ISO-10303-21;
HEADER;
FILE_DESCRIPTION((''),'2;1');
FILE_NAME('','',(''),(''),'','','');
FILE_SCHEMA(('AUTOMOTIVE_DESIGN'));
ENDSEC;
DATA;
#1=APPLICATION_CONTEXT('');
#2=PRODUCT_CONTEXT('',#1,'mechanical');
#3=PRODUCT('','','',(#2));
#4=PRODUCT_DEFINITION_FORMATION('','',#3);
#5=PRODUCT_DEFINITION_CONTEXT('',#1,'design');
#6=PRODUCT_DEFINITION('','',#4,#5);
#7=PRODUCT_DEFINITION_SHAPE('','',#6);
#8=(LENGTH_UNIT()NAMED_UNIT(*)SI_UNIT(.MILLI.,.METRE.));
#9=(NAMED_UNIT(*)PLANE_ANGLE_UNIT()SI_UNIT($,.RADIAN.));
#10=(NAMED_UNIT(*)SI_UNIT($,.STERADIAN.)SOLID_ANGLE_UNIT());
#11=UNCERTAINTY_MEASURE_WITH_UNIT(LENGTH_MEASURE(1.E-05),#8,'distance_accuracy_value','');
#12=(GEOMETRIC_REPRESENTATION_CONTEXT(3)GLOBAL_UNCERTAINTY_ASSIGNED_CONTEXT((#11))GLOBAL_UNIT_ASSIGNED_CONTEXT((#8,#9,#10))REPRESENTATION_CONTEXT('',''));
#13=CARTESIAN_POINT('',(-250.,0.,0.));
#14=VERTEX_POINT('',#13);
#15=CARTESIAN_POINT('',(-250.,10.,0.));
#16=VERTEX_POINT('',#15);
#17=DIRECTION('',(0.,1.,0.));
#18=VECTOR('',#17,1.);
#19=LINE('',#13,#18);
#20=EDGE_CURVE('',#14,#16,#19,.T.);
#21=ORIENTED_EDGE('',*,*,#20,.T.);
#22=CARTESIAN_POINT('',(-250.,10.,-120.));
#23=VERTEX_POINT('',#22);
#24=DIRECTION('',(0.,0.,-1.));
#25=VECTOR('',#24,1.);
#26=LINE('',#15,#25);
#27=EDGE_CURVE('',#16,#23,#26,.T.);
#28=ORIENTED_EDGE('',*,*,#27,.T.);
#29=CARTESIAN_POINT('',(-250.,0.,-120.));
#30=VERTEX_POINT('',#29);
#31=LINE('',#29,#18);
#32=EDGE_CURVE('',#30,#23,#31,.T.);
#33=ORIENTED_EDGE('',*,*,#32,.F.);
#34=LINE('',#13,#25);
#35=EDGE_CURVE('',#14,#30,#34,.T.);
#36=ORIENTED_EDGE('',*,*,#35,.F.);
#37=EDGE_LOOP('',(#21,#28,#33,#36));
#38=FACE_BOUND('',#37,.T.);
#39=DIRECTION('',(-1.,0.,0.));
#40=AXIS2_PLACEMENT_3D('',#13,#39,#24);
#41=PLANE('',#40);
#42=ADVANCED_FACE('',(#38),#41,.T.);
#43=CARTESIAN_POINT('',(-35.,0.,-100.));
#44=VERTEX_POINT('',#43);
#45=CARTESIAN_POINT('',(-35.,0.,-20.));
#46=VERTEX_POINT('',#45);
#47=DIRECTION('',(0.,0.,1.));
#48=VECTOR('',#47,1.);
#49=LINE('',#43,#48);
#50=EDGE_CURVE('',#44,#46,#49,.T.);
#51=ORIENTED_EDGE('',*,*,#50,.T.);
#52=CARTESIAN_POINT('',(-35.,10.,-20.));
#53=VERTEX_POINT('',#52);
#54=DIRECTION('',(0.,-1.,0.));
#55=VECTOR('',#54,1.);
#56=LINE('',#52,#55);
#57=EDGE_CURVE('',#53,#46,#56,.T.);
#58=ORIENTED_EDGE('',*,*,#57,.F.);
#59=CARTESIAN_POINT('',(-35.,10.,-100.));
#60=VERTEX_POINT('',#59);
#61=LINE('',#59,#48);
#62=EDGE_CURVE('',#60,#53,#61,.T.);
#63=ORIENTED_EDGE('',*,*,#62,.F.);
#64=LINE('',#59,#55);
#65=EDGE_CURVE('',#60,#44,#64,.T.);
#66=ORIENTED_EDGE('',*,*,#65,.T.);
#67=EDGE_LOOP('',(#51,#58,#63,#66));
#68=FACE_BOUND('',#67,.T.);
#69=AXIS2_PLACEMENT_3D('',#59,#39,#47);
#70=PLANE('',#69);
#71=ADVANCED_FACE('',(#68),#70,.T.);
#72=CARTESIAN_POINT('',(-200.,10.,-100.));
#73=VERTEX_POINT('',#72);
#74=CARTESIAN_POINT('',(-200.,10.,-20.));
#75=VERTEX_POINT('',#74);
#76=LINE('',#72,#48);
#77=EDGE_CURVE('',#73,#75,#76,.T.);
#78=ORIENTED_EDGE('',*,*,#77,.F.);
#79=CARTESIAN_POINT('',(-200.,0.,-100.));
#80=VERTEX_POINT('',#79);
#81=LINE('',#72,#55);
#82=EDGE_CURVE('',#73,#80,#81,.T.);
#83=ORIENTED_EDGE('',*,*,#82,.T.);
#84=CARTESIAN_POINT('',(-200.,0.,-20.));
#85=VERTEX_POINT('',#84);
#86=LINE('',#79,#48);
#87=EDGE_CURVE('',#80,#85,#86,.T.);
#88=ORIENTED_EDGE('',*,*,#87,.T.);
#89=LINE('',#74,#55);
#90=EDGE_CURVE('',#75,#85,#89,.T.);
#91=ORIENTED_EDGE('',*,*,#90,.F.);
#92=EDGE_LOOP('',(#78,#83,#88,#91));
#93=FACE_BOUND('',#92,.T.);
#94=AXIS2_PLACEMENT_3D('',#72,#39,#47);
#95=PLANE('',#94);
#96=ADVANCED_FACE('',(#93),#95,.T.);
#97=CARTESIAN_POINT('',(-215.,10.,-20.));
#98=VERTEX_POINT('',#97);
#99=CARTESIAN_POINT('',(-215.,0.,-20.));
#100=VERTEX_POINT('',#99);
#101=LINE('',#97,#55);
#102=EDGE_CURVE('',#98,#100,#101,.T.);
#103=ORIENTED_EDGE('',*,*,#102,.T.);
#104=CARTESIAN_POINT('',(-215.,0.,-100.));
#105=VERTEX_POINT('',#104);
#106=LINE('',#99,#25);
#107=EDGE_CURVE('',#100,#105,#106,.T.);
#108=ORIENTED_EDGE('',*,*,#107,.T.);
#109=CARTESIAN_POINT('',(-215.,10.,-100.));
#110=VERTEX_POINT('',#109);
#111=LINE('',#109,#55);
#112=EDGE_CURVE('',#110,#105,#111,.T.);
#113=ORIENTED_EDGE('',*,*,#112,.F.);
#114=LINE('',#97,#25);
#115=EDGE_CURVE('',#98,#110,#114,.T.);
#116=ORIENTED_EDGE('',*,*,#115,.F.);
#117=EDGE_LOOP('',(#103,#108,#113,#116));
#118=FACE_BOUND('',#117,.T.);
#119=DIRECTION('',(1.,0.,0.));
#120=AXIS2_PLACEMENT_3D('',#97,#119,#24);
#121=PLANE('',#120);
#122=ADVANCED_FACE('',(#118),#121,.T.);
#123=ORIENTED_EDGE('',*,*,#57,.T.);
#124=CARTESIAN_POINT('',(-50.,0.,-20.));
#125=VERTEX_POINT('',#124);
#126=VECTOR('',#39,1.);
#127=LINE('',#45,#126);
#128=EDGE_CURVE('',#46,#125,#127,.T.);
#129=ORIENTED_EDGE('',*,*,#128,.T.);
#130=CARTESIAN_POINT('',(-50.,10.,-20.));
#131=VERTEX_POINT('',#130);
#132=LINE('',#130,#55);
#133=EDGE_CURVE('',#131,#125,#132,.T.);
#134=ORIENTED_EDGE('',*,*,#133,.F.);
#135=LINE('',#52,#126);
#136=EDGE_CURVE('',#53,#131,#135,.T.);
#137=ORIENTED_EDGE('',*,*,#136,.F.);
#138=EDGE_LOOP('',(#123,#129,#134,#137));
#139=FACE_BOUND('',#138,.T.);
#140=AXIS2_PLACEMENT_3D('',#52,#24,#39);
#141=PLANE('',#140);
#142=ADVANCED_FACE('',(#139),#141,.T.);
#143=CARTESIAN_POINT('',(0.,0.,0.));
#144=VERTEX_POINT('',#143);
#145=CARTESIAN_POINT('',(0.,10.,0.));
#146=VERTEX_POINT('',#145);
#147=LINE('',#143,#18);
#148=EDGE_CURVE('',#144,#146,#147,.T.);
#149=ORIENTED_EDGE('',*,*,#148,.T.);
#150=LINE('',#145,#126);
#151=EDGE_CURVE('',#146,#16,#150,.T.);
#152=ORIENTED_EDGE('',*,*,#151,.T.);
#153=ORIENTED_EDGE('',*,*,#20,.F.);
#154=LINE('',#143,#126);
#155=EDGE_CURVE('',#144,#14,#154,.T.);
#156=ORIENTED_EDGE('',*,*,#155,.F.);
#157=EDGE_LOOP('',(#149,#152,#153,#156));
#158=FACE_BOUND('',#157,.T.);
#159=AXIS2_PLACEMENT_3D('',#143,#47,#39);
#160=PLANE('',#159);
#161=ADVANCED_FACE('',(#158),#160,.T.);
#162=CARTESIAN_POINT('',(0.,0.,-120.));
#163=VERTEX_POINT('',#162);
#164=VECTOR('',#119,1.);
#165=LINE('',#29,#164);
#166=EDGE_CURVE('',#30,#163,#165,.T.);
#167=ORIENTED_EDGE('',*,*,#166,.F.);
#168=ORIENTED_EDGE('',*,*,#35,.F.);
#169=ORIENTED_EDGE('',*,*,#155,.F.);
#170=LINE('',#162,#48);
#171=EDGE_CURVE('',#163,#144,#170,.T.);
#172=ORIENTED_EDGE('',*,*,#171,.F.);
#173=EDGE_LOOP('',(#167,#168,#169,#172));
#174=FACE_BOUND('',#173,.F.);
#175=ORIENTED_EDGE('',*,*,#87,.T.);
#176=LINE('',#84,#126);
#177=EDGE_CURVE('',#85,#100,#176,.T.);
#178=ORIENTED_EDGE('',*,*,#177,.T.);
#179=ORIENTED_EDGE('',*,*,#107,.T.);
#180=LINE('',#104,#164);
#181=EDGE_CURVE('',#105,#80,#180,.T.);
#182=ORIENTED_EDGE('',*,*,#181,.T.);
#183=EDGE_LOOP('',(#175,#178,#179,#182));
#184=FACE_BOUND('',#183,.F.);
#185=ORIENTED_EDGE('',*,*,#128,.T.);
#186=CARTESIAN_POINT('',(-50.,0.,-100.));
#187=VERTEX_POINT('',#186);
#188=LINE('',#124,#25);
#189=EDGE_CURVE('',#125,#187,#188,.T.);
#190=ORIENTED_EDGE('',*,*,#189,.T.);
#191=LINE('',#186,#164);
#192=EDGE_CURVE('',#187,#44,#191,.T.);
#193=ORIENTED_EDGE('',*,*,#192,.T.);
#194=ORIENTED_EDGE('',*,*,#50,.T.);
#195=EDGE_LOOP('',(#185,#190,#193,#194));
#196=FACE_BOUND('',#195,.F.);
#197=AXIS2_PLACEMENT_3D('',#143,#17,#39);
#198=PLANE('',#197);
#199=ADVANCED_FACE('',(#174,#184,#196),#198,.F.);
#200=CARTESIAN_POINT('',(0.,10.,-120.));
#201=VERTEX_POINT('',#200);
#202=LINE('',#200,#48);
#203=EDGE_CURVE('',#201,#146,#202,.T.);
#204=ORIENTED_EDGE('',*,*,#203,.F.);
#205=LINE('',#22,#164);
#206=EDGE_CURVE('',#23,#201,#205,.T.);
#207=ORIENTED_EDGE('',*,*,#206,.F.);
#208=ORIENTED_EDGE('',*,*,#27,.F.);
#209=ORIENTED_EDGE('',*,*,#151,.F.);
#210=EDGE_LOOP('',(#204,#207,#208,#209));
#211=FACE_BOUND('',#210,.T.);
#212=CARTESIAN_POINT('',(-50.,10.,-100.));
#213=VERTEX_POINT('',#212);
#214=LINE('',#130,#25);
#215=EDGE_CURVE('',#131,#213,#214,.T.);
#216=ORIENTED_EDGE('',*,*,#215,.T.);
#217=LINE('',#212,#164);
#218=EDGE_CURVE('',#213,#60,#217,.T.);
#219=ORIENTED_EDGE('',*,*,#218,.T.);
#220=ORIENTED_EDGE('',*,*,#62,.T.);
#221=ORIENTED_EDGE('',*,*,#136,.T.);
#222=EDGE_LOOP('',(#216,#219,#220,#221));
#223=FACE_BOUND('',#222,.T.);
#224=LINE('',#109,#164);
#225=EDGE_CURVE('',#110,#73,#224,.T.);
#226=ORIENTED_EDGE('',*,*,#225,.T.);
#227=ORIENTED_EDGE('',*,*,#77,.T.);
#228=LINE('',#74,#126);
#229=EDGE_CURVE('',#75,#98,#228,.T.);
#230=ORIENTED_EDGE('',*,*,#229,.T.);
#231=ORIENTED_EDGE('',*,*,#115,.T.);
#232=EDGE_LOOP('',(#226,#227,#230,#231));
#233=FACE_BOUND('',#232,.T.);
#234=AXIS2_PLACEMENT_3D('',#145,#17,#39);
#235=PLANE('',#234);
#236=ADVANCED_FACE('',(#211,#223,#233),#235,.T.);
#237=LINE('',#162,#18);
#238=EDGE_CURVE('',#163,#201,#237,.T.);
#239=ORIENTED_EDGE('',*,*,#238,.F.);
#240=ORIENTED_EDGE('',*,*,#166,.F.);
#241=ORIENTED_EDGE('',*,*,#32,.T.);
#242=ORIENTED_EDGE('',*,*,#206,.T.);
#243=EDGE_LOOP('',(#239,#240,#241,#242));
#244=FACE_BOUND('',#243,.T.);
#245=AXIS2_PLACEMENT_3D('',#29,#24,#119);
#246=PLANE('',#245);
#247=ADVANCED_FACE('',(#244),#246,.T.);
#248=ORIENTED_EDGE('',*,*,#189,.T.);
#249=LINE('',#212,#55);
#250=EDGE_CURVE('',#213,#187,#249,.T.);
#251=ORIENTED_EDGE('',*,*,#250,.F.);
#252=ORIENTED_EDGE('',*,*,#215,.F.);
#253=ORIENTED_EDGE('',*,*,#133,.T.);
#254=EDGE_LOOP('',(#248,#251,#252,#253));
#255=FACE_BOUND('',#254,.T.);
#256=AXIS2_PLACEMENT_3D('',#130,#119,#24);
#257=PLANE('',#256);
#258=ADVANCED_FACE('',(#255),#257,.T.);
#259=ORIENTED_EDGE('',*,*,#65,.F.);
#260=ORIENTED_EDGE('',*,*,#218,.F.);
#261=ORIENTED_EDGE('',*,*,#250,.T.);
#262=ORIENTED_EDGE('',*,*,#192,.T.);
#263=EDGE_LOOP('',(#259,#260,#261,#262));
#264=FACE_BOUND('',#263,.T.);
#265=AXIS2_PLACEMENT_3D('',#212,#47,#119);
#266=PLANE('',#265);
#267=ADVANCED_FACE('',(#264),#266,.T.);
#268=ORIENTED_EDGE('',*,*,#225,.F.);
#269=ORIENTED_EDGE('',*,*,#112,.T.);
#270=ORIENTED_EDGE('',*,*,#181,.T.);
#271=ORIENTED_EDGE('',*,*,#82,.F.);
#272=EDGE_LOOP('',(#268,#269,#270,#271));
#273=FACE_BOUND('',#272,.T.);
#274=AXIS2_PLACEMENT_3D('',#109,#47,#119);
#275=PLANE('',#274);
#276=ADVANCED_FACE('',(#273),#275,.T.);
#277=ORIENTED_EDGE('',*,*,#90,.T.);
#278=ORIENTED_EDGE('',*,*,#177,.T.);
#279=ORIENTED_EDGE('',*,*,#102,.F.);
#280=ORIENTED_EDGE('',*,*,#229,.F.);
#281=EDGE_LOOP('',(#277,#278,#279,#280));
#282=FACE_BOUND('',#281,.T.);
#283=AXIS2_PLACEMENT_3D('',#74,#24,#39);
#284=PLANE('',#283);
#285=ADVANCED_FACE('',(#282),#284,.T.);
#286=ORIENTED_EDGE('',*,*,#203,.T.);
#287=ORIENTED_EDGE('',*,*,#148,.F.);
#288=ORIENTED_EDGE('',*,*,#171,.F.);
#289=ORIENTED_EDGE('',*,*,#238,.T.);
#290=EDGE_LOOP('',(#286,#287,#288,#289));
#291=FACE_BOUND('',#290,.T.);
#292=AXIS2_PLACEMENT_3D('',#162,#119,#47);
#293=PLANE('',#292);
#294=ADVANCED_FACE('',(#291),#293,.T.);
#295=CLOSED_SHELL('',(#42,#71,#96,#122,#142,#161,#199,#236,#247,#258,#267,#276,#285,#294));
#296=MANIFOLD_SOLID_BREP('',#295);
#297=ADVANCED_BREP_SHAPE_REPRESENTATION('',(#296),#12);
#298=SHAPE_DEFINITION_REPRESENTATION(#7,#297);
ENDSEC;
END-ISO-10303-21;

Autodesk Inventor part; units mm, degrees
ref_plane "YZ Plane" through (0, 0, 0) normal (1, 0, 0) x (0, 1, 0)
ref_plane "XZ Plane" through (0, 0, 0) normal (0, 1, 0) x (-1, 0, 0)
ref_plane "XY Plane" through (0, 0, 0) normal (0, 0, 1) x (1, 0, 0)
sketch "Esquisse1" plane through (0, 0, 0) normal (0, 1, 0) x (-1, 0, 0)
  line L0 (0, 0) -> (250, 0)
  line L1 (250, 0) -> (250, -120)
  line L2 (250, -120) -> (0, -120)
  line L3 (0, -120) -> (0, 0)
  dimension "d0" = 250
  dimension "d1" = 120
extrude "Extrusion1" add sketch "Esquisse1" along normal blind 10
sketch "Esquisse2" plane through (0, 10, 0) normal (0, 1, 0) x (1, 0, 0)
  line L0 (-215, 100) -> (-200, 100)
  line L1 (-200, 100) -> (-200, 20)
  line L2 (-200, 20) -> (-215, 20)
  line L3 (-215, 20) -> (-215, 100)
  line L4 (-50, 100) -> (-35, 100)
  line L5 (-35, 100) -> (-35, 20)
  line L6 (-35, 20) -> (-50, 20)
  line L7 (-50, 20) -> (-50, 100)
  line L8 (-250, 0) -> (0, 0) projected
  line L9 (-250, 120) -> (-250, 0) projected
  line L10 (0, 0) -> (0, 120) projected
  dimension "d4" = 80
  dimension "d5" = 15
  dimension "d6" = 80
  dimension "d7" = 15
  dimension "d8" = 20
  dimension "d9" = 35
  dimension "d10" = 35
extrude "Extrusion2" cut sketch "Esquisse2" against normal blind 10
properties part number "Base"
